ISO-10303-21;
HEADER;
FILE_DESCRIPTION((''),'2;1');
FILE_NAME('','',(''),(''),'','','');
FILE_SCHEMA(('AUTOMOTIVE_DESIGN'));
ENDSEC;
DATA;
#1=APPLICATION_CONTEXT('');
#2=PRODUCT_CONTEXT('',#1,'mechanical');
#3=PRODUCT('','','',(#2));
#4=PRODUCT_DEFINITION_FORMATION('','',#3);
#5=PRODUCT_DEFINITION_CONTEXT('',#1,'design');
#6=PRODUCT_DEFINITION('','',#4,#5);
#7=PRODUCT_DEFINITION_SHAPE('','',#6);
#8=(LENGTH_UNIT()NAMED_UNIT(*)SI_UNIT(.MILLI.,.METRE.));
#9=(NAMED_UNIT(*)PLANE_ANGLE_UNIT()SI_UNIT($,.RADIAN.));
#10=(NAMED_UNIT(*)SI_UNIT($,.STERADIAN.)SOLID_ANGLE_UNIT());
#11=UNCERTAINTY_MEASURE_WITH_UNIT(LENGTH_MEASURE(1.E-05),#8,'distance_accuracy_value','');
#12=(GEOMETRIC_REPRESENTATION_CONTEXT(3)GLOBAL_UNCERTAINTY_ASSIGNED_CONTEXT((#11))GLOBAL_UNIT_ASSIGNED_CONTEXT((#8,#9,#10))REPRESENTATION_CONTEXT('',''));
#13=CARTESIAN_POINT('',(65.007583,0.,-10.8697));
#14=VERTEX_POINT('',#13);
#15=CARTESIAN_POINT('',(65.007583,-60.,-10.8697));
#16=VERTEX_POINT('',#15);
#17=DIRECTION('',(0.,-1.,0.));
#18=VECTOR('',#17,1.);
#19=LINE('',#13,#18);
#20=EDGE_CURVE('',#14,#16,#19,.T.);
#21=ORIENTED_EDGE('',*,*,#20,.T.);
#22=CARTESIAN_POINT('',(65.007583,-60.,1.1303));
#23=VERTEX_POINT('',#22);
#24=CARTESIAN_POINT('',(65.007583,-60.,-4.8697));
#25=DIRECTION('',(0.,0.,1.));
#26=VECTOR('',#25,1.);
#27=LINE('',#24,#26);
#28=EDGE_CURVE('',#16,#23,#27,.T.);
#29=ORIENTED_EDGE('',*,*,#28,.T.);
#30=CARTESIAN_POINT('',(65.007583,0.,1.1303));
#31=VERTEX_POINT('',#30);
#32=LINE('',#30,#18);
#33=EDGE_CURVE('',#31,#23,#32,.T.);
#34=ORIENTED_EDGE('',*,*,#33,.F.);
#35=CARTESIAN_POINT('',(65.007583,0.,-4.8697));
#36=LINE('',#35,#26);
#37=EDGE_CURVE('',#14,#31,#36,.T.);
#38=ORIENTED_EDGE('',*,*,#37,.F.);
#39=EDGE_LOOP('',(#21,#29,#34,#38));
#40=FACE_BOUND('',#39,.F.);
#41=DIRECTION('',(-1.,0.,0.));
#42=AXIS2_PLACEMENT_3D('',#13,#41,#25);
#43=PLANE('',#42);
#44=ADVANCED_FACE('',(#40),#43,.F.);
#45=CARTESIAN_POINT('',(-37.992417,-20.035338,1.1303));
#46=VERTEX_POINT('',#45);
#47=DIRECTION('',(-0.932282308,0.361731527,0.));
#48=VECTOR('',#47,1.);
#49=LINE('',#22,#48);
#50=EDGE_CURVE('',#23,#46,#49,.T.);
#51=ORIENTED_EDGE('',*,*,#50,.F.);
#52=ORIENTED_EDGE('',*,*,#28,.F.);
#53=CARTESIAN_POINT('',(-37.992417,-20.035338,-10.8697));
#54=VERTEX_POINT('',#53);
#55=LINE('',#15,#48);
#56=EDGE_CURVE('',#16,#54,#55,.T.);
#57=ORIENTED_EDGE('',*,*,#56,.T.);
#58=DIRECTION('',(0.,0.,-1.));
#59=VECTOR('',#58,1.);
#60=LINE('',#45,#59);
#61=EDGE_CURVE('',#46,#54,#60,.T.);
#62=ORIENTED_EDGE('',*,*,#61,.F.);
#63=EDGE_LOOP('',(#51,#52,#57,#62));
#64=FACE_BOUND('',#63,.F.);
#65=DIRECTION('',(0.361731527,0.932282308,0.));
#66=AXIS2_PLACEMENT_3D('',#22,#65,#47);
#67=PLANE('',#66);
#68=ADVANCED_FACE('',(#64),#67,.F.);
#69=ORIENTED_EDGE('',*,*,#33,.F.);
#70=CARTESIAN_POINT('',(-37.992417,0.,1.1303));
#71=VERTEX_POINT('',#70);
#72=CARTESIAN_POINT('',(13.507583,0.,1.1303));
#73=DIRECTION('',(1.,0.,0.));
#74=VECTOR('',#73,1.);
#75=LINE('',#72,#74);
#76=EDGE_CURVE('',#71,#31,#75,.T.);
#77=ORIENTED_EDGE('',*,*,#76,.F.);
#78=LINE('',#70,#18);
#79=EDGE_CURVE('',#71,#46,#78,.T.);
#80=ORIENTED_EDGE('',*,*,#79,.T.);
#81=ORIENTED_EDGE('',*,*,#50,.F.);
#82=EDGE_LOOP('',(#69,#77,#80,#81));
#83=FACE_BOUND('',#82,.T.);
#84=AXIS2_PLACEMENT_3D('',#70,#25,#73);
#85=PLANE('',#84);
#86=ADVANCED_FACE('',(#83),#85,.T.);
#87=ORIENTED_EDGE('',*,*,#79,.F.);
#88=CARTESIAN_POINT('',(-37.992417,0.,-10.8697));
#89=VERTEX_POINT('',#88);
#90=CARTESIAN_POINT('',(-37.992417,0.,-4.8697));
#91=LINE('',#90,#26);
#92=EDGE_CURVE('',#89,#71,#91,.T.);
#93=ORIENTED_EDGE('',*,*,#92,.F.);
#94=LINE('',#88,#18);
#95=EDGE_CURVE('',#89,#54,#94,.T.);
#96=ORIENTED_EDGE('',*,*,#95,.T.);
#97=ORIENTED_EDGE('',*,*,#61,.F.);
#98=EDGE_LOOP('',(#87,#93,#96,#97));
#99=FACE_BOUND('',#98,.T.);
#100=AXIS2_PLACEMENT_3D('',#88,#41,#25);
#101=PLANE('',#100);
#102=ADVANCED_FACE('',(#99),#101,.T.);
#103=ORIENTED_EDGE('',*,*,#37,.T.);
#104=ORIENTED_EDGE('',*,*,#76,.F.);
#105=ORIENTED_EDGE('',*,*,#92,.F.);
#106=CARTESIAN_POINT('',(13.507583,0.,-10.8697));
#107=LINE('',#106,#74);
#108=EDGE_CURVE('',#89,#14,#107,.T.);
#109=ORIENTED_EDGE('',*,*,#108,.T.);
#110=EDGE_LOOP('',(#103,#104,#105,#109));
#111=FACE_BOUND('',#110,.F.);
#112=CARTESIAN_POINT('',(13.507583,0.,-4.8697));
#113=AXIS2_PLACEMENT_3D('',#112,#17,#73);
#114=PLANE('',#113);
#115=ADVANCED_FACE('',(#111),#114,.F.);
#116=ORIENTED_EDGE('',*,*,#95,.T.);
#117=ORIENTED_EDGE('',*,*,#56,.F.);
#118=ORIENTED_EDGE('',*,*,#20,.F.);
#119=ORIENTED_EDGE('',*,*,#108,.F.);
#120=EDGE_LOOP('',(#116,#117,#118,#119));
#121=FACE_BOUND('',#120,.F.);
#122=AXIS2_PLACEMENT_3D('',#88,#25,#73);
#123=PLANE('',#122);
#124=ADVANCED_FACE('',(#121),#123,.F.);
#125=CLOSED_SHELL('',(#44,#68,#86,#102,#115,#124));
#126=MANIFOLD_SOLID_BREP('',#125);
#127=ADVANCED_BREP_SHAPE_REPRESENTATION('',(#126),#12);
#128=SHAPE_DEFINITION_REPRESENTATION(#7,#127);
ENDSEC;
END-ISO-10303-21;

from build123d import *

# Parameters (mm, degrees)
F0_W     = 103
F0_H     = 12
F1_DEPTH = 60
F3_DEPTH = 12


with BuildPart() as f1:
    # F0 (on Front) → F1 (new body)
    with BuildSketch(Plane.XZ):
        with Locations((13.507583, -4.8697)):
            Rectangle(F0_W, F0_H)
    extrude(amount=F1_DEPTH)

    # F2 (on face) → F3 (cut)
    with BuildSketch(Plane.XY.offset(1.1303)):
        Polygon((65.007583, -60), (-37.992417, -20.035338), (-37.992417, -60), align=None)
    extrude(amount=-F3_DEPTH, mode=Mode.SUBTRACT)


solid = f1.part
